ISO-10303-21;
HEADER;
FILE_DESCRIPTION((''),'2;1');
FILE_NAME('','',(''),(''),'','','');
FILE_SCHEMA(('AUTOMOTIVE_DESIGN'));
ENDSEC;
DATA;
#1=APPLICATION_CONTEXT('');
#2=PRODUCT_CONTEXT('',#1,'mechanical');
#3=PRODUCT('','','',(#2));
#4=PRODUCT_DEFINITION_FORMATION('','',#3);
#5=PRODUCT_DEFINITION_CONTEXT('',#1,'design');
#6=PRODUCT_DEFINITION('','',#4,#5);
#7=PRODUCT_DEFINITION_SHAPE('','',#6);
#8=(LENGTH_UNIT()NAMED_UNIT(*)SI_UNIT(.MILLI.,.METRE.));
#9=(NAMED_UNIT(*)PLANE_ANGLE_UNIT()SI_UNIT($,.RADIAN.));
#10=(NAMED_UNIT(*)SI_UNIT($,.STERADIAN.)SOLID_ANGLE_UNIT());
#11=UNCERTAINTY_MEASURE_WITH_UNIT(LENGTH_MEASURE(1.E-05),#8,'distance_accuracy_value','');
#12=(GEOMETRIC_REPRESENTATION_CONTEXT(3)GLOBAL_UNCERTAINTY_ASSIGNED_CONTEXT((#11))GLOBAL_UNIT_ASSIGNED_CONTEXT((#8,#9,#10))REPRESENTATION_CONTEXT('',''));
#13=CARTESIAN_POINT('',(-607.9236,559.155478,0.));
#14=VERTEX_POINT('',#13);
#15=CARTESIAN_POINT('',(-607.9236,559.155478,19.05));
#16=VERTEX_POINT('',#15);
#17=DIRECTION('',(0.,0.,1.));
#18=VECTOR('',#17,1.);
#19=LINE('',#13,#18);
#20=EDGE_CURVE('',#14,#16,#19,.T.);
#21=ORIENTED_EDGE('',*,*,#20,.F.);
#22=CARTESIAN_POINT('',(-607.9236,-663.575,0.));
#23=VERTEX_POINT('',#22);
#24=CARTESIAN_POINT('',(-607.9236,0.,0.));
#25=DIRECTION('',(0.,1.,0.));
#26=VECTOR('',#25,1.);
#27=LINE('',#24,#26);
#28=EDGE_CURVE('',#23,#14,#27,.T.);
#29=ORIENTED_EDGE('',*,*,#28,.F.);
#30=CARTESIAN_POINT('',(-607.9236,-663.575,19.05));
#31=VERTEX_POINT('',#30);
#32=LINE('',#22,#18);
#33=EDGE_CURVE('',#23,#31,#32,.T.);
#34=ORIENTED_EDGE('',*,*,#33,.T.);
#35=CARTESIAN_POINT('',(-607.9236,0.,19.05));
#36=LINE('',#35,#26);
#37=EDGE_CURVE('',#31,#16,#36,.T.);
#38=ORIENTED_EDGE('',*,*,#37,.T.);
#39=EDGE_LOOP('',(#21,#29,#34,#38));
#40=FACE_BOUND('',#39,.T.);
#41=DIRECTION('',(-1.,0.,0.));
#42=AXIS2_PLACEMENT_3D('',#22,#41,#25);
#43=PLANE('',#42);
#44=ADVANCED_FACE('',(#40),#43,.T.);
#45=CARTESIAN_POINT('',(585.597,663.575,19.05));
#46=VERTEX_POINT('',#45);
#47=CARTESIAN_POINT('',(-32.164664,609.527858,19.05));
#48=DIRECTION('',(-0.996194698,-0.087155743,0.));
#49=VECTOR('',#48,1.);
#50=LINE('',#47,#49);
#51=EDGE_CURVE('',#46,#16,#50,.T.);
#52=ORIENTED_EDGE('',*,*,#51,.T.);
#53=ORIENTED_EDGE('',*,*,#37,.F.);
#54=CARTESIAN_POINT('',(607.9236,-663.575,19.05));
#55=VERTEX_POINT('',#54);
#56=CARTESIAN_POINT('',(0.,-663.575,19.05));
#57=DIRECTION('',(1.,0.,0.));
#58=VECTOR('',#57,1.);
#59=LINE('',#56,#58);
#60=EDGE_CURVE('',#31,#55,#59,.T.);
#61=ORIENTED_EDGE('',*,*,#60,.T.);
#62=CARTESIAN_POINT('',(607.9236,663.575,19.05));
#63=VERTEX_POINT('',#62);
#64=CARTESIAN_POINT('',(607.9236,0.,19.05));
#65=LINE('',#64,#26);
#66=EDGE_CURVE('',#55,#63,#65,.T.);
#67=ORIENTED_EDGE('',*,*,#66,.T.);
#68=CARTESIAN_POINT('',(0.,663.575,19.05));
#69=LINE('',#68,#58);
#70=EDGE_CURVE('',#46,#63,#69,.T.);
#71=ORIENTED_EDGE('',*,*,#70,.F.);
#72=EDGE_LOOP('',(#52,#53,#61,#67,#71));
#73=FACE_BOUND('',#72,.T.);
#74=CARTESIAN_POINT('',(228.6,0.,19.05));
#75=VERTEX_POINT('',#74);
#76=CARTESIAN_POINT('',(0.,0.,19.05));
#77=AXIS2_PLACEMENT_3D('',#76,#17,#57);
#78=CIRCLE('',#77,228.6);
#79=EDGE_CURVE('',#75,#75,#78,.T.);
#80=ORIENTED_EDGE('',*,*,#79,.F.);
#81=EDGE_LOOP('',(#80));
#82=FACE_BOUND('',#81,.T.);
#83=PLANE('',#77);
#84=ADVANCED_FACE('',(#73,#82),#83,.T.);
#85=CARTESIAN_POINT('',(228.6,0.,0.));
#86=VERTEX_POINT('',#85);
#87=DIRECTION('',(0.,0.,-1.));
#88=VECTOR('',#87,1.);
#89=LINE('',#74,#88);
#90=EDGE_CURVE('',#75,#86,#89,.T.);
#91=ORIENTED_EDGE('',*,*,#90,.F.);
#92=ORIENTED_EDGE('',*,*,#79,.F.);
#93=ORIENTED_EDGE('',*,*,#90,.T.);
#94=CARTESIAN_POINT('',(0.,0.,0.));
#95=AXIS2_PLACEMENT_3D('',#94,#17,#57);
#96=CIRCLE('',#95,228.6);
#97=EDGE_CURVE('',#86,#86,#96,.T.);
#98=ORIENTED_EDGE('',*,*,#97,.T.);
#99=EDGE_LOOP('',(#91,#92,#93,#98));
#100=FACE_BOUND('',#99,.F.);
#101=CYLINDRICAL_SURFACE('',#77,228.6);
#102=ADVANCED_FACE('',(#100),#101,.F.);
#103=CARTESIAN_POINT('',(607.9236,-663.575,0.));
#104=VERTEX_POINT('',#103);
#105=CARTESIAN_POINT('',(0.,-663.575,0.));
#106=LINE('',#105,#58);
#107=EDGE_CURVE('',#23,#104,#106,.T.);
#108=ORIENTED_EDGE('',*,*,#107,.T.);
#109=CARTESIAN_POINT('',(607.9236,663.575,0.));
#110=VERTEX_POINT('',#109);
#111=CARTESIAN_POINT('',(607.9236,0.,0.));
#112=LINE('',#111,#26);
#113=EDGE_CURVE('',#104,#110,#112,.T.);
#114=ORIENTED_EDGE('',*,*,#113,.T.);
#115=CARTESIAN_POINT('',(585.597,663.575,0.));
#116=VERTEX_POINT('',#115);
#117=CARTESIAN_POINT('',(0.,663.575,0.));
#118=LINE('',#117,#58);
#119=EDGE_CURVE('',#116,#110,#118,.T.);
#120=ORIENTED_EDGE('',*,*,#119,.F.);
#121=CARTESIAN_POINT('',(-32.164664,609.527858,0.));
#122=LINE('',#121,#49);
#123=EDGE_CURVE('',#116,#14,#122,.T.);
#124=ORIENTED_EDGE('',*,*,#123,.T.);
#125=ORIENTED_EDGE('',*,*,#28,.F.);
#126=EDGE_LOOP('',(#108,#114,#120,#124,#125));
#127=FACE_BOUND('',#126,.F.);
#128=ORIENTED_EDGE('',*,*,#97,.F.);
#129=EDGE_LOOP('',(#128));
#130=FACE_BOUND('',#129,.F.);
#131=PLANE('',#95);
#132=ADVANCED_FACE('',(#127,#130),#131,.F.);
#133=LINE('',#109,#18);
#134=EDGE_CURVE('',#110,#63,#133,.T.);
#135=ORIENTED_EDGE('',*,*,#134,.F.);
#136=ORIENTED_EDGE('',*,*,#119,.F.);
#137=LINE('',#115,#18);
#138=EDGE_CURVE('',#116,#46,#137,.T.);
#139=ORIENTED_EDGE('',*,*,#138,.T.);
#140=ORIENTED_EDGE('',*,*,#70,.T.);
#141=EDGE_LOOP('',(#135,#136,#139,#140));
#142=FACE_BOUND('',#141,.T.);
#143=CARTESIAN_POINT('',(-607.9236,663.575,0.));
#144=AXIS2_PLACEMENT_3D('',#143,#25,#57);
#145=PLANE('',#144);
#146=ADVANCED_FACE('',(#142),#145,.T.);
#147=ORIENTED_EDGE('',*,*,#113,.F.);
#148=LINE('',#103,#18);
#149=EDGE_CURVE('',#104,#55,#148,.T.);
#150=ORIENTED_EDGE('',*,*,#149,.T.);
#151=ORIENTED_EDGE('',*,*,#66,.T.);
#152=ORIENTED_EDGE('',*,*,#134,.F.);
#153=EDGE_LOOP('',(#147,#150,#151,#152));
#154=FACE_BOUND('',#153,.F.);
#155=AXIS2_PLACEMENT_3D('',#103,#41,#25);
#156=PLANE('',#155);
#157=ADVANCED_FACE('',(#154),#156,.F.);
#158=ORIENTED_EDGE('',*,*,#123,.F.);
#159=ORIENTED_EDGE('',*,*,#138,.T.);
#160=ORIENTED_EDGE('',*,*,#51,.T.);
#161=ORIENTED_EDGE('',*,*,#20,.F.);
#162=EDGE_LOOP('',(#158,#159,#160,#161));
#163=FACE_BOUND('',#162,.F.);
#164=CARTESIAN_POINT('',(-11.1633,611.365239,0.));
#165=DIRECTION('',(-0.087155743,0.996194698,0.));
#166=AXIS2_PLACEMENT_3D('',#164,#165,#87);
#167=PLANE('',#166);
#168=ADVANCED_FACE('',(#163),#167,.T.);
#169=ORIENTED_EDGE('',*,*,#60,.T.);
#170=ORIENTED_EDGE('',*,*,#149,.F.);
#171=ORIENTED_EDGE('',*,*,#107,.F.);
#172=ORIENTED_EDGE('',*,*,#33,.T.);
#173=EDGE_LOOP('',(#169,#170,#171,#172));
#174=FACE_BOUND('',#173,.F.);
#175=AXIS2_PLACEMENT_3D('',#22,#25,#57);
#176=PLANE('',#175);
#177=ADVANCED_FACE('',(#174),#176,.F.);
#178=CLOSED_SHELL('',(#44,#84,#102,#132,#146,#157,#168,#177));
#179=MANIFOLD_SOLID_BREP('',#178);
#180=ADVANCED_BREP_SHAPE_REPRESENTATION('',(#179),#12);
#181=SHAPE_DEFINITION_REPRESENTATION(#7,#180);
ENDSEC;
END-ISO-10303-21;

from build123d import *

# Parameters (mm, degrees)
F0_W     = 1215.8472
F0_H     = 1327.15
F1_DEPTH = 19.05
F2_SIZE2 = 104.4195221847
F2_SIZE  = 1193.5206
F3_R     = 228.6
F4_DEPTH = 19.051


with BuildPart() as f1:
    # F0 (on Top) → F1 (new body)
    with BuildSketch(Plane.XY):
        Rectangle(F0_W, F0_H)
    extrude(amount=F1_DEPTH)

    # F2
    f2_edges = [f1.edges().sort_by_distance(p)[0] for p in [
        (-607.9236, 663.575, 9.525),
    ]]
    f2_side = f1.faces().sort_by_distance((0, 663.575, 9.525))[0]
    chamfer(f2_edges, length=F2_SIZE, length2=F2_SIZE2, reference=f2_side)

    # F3 (on face) → F4 (cut, through all)
    with BuildSketch(Plane.XY.offset(19.05)):
        Circle(F3_R)
    extrude(amount=-F4_DEPTH, mode=Mode.SUBTRACT)


solid = f1.part
